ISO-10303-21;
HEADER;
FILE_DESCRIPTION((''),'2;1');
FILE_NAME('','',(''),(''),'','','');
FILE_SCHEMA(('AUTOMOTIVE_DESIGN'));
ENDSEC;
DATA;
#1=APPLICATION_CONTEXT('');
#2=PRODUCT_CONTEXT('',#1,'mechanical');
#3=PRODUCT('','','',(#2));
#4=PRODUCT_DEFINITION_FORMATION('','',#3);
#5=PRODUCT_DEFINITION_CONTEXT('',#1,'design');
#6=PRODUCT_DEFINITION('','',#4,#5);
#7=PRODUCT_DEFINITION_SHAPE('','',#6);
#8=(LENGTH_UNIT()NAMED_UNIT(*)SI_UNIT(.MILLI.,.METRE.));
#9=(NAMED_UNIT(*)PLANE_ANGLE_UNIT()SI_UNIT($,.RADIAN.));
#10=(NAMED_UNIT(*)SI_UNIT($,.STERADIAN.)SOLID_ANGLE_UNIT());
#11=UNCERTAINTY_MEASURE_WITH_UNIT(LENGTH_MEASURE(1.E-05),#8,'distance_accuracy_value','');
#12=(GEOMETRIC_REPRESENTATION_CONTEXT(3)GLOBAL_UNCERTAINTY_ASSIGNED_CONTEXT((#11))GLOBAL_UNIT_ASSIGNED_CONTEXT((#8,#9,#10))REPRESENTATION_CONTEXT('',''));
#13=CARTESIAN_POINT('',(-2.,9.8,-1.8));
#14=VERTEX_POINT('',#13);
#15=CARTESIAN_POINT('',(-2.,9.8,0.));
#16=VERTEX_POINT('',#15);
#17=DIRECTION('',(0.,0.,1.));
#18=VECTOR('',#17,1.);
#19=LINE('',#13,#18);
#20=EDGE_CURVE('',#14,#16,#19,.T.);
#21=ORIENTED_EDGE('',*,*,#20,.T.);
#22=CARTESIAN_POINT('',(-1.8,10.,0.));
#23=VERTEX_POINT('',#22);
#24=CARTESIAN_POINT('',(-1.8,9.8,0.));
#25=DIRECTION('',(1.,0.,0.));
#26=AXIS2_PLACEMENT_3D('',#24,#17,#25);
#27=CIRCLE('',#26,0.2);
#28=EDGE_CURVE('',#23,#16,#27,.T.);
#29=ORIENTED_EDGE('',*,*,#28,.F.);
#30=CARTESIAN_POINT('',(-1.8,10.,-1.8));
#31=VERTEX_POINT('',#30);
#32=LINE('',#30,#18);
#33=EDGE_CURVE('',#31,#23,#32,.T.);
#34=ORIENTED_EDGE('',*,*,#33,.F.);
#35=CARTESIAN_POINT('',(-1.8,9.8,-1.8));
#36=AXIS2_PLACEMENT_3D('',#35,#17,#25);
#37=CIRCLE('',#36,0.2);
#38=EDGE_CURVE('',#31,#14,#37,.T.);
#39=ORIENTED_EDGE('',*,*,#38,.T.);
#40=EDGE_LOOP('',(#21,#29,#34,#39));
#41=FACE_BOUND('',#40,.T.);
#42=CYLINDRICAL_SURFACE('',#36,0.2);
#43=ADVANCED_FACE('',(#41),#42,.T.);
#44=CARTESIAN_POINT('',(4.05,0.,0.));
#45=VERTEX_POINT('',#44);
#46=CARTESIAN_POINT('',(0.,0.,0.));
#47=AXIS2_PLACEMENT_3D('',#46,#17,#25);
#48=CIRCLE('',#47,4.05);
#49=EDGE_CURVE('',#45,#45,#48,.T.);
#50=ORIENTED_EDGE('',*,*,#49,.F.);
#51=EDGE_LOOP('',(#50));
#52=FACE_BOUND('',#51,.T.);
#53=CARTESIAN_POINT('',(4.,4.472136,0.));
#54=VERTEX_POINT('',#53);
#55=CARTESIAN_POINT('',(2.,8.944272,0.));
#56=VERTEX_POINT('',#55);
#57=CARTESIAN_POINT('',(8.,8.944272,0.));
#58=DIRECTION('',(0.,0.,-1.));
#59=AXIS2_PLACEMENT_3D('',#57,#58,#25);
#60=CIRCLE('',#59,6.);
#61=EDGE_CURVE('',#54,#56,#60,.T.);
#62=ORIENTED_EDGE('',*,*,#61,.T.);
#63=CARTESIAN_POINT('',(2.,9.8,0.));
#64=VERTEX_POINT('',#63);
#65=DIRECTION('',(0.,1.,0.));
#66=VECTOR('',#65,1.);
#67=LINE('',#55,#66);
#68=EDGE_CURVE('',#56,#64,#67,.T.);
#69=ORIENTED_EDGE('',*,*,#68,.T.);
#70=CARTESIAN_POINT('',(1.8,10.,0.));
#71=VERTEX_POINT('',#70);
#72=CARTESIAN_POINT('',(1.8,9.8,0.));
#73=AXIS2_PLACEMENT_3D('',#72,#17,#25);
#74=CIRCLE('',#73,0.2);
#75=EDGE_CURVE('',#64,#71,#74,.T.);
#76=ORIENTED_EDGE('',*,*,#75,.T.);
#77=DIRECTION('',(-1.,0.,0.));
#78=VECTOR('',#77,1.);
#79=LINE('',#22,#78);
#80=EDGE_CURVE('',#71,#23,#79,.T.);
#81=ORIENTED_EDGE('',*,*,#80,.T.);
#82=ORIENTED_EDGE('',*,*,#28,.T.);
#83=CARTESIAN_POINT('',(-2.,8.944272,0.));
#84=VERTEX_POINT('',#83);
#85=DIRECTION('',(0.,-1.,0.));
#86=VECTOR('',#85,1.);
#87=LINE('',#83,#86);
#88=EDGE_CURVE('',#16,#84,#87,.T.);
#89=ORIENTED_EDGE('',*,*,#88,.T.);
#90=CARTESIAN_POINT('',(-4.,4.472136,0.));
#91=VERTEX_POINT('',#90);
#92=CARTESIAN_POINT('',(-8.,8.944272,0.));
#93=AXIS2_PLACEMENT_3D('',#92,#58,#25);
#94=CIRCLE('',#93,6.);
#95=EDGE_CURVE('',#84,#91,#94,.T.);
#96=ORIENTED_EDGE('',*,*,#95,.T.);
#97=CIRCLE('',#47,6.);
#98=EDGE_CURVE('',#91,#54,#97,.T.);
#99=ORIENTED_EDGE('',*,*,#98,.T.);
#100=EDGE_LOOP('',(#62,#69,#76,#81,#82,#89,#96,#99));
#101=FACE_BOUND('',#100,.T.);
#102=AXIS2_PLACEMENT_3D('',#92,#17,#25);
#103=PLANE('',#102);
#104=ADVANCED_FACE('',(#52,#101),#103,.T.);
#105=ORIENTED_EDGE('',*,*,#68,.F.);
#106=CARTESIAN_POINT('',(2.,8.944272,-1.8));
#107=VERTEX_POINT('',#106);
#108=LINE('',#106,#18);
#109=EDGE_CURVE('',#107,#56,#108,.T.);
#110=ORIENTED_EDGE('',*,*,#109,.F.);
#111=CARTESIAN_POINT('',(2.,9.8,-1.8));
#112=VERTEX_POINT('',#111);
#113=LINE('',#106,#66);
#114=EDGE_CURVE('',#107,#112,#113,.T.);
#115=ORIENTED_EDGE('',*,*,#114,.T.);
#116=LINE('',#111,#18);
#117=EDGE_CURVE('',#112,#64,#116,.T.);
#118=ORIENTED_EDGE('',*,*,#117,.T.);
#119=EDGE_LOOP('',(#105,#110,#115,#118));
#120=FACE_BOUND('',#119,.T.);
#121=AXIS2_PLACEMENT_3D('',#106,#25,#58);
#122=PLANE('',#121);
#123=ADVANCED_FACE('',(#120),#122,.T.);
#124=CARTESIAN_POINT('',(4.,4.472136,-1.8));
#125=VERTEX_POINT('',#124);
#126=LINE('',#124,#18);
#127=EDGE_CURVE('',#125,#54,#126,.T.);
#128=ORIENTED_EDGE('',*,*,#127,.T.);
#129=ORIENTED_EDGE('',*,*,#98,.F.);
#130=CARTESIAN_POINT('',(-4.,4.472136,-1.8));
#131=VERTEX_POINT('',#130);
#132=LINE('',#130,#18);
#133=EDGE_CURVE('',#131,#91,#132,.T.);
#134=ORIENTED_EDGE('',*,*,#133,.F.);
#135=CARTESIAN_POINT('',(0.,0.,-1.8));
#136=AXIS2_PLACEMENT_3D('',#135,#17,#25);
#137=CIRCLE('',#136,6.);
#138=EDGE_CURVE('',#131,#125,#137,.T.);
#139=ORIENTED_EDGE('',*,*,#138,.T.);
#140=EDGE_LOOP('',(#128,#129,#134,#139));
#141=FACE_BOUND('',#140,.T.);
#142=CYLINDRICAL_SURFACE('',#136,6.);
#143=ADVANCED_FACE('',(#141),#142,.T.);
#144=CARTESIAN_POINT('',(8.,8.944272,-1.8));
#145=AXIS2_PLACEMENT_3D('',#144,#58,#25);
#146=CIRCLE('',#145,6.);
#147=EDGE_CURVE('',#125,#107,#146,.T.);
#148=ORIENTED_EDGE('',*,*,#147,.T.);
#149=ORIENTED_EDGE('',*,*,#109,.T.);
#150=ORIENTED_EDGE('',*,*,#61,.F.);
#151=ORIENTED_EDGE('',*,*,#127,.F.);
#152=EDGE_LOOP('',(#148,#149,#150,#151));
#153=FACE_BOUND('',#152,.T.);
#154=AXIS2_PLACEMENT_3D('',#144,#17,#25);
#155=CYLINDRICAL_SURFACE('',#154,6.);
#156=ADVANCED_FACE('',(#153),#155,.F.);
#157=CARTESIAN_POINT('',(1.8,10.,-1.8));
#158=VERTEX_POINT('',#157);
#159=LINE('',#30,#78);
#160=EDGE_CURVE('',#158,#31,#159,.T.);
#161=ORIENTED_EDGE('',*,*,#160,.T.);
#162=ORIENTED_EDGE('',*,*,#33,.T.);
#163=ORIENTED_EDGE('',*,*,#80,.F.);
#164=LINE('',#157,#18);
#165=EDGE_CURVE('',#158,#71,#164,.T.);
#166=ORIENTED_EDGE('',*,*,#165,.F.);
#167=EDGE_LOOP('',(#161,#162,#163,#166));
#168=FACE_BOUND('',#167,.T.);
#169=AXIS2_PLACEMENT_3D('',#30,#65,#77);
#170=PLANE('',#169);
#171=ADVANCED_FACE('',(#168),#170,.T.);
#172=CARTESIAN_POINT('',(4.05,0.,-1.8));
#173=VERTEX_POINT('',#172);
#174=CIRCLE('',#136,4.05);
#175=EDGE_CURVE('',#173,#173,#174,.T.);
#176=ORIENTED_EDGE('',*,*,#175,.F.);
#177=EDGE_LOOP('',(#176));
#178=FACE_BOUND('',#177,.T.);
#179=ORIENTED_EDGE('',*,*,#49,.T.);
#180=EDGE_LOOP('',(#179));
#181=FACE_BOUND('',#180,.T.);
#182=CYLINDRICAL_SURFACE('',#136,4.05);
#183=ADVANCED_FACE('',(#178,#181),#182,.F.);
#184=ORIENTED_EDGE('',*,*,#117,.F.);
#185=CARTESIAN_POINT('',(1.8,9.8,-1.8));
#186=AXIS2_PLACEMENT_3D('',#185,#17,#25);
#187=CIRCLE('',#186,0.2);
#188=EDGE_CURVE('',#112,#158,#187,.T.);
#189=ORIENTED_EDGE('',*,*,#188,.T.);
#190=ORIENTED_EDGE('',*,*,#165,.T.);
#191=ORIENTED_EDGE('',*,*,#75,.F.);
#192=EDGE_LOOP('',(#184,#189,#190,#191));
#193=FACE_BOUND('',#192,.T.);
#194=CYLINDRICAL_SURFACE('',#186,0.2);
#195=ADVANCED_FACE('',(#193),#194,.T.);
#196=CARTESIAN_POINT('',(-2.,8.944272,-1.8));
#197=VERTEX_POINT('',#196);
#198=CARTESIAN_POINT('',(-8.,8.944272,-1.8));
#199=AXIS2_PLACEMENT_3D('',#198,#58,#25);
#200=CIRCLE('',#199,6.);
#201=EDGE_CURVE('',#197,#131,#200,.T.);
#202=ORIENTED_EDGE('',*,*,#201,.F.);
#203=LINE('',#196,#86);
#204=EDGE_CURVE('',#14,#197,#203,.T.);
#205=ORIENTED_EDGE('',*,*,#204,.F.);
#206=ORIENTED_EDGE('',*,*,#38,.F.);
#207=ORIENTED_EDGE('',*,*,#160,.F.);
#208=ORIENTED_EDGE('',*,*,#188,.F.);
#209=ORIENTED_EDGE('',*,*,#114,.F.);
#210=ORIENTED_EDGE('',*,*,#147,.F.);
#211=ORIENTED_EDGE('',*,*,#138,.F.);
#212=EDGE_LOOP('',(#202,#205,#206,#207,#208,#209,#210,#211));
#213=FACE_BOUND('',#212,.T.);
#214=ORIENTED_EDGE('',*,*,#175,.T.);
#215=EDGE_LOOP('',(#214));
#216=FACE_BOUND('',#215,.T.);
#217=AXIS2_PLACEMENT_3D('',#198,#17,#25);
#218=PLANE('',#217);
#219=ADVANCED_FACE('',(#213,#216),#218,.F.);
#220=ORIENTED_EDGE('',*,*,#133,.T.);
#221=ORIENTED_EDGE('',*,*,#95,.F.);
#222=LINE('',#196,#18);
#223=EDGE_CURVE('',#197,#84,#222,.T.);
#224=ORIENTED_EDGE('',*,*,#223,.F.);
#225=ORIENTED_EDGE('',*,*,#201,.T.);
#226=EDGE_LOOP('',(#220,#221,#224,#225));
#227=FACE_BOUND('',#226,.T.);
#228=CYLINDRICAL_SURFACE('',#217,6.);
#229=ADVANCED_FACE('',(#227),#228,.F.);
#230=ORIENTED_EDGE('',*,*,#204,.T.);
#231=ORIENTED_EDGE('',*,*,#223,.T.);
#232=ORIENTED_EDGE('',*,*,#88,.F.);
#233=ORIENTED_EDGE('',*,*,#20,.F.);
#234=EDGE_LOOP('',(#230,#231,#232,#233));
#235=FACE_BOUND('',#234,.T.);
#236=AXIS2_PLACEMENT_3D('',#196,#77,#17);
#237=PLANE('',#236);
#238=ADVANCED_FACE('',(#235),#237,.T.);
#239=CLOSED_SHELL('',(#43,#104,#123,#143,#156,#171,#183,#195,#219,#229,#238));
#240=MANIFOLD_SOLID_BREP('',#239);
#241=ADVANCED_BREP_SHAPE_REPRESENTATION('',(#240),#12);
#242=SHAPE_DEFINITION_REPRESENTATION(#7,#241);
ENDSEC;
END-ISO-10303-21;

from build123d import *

# Parameters (mm, degrees)
EXTRUDE_1_DEPTH     = 1.8
SKETCH_2_R          = 4.05
CUT_EXTRUDE_1_DEPTH = 1.8


with BuildPart() as part:
    # 草图1 → 凸台-拉伸1 (new body)
    with BuildSketch(Plane.XY):
        with BuildLine():
            Line((-2, 8.94427191), (-2, 9.8))
            ThreePointArc((-2, 9.8), (-1.941421356, 9.941421356), (-1.8, 10))
            Line((-1.8, 10), (1.8, 10))
            ThreePointArc((1.8, 10), (1.941421356, 9.941421356), (2, 9.8))
            Line((2, 9.8), (2, 8.94427191))
            ThreePointArc((2, 8.94427191), (2.522774425, 6.494782167), (4, 4.472135955))
            ThreePointArc((4, 4.472135955), (0, -6), (-4, 4.472135955))
            ThreePointArc((-4, 4.472135955), (-2.522774425, 6.494782167), (-2, 8.94427191))
        make_face()
    extrude(amount=-EXTRUDE_1_DEPTH)

    # 草图2 → 切除-拉伸1 (cut)
    with BuildSketch(Plane.XY):
        Circle(SKETCH_2_R)
    extrude(amount=-CUT_EXTRUDE_1_DEPTH, mode=Mode.SUBTRACT)


solid = part.part
